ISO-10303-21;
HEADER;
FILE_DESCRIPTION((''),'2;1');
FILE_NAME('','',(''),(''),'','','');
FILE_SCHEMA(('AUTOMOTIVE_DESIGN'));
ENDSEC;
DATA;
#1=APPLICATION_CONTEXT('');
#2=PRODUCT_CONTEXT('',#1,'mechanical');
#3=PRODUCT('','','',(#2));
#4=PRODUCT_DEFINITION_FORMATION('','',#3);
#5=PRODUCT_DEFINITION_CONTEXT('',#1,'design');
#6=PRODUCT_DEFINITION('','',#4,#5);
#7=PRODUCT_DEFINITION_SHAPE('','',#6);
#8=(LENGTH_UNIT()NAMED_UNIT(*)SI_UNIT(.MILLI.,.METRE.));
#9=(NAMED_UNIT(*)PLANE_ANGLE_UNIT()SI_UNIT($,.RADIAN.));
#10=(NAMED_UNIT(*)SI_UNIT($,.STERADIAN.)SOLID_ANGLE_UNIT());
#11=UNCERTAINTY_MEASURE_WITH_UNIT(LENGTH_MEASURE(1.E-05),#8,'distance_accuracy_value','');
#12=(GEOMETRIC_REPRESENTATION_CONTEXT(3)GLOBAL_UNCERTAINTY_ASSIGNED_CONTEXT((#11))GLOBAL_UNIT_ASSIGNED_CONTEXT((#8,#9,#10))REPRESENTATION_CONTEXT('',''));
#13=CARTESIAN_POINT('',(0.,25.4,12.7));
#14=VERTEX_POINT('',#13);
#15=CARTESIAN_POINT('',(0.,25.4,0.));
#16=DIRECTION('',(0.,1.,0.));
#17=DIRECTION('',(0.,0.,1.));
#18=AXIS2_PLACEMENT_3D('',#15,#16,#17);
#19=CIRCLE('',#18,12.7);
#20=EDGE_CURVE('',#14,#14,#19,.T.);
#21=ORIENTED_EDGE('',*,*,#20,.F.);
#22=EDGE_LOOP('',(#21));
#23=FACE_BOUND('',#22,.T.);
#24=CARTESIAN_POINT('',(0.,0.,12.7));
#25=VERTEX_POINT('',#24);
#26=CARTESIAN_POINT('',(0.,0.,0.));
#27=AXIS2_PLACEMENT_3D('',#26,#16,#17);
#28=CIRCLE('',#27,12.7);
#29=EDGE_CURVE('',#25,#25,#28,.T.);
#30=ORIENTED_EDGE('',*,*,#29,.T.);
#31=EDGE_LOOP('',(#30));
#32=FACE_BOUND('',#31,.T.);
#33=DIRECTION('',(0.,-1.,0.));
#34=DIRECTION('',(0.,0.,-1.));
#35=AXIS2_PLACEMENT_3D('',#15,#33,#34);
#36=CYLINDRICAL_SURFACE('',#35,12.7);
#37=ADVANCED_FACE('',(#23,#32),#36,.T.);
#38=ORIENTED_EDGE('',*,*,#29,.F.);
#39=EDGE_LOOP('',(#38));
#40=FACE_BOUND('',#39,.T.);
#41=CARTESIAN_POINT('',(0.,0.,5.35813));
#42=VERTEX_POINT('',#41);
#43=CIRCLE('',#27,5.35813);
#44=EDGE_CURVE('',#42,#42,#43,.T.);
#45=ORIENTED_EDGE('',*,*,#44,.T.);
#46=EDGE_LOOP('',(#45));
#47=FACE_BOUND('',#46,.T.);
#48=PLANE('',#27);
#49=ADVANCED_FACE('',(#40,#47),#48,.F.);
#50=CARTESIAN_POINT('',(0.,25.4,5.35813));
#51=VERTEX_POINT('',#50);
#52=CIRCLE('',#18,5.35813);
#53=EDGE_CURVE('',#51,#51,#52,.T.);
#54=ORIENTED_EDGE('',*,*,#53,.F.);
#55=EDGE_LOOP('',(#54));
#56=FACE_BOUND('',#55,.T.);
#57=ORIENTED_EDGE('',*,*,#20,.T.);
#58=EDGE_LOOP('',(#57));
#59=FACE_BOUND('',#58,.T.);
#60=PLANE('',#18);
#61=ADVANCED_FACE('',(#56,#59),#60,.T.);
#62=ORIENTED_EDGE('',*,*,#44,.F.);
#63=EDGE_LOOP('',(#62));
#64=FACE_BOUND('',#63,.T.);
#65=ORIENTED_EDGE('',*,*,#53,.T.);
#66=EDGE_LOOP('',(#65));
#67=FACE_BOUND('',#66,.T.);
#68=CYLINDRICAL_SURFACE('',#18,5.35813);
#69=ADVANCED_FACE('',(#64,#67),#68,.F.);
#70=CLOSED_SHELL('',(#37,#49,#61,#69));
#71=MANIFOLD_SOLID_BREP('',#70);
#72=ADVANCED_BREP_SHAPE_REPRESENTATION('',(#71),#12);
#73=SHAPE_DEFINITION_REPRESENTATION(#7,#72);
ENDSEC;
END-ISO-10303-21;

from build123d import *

# Parameters (mm, degrees)
SKETCH1_R               = 12.7
BOSS_EXTRUDE1_DEPTH     = 25.4
F_1_2_13_TAPPED_HOLE1_D = 10.71626


with BuildPart() as part:
    # Sketch1 → Boss-Extrude1 (new body)
    with BuildSketch(Plane(origin=(0, 0, 0), x_dir=(1, 0, 0), z_dir=(0, 1, 0))):
        with Locations(Location((0, 0, 0), (0, 0, 270))):
            Circle(SKETCH1_R)
    extrude(amount=BOSS_EXTRUDE1_DEPTH)

    # 1/2-13 Tapped Hole1 (through all)
    with Locations(Plane(origin=(0, 25.4, 0), x_dir=(1, 0, 0), z_dir=(0, 1, 0))):
        with Locations((0, 0)):
            Hole(F_1_2_13_TAPPED_HOLE1_D / 2)


solid = part.part
